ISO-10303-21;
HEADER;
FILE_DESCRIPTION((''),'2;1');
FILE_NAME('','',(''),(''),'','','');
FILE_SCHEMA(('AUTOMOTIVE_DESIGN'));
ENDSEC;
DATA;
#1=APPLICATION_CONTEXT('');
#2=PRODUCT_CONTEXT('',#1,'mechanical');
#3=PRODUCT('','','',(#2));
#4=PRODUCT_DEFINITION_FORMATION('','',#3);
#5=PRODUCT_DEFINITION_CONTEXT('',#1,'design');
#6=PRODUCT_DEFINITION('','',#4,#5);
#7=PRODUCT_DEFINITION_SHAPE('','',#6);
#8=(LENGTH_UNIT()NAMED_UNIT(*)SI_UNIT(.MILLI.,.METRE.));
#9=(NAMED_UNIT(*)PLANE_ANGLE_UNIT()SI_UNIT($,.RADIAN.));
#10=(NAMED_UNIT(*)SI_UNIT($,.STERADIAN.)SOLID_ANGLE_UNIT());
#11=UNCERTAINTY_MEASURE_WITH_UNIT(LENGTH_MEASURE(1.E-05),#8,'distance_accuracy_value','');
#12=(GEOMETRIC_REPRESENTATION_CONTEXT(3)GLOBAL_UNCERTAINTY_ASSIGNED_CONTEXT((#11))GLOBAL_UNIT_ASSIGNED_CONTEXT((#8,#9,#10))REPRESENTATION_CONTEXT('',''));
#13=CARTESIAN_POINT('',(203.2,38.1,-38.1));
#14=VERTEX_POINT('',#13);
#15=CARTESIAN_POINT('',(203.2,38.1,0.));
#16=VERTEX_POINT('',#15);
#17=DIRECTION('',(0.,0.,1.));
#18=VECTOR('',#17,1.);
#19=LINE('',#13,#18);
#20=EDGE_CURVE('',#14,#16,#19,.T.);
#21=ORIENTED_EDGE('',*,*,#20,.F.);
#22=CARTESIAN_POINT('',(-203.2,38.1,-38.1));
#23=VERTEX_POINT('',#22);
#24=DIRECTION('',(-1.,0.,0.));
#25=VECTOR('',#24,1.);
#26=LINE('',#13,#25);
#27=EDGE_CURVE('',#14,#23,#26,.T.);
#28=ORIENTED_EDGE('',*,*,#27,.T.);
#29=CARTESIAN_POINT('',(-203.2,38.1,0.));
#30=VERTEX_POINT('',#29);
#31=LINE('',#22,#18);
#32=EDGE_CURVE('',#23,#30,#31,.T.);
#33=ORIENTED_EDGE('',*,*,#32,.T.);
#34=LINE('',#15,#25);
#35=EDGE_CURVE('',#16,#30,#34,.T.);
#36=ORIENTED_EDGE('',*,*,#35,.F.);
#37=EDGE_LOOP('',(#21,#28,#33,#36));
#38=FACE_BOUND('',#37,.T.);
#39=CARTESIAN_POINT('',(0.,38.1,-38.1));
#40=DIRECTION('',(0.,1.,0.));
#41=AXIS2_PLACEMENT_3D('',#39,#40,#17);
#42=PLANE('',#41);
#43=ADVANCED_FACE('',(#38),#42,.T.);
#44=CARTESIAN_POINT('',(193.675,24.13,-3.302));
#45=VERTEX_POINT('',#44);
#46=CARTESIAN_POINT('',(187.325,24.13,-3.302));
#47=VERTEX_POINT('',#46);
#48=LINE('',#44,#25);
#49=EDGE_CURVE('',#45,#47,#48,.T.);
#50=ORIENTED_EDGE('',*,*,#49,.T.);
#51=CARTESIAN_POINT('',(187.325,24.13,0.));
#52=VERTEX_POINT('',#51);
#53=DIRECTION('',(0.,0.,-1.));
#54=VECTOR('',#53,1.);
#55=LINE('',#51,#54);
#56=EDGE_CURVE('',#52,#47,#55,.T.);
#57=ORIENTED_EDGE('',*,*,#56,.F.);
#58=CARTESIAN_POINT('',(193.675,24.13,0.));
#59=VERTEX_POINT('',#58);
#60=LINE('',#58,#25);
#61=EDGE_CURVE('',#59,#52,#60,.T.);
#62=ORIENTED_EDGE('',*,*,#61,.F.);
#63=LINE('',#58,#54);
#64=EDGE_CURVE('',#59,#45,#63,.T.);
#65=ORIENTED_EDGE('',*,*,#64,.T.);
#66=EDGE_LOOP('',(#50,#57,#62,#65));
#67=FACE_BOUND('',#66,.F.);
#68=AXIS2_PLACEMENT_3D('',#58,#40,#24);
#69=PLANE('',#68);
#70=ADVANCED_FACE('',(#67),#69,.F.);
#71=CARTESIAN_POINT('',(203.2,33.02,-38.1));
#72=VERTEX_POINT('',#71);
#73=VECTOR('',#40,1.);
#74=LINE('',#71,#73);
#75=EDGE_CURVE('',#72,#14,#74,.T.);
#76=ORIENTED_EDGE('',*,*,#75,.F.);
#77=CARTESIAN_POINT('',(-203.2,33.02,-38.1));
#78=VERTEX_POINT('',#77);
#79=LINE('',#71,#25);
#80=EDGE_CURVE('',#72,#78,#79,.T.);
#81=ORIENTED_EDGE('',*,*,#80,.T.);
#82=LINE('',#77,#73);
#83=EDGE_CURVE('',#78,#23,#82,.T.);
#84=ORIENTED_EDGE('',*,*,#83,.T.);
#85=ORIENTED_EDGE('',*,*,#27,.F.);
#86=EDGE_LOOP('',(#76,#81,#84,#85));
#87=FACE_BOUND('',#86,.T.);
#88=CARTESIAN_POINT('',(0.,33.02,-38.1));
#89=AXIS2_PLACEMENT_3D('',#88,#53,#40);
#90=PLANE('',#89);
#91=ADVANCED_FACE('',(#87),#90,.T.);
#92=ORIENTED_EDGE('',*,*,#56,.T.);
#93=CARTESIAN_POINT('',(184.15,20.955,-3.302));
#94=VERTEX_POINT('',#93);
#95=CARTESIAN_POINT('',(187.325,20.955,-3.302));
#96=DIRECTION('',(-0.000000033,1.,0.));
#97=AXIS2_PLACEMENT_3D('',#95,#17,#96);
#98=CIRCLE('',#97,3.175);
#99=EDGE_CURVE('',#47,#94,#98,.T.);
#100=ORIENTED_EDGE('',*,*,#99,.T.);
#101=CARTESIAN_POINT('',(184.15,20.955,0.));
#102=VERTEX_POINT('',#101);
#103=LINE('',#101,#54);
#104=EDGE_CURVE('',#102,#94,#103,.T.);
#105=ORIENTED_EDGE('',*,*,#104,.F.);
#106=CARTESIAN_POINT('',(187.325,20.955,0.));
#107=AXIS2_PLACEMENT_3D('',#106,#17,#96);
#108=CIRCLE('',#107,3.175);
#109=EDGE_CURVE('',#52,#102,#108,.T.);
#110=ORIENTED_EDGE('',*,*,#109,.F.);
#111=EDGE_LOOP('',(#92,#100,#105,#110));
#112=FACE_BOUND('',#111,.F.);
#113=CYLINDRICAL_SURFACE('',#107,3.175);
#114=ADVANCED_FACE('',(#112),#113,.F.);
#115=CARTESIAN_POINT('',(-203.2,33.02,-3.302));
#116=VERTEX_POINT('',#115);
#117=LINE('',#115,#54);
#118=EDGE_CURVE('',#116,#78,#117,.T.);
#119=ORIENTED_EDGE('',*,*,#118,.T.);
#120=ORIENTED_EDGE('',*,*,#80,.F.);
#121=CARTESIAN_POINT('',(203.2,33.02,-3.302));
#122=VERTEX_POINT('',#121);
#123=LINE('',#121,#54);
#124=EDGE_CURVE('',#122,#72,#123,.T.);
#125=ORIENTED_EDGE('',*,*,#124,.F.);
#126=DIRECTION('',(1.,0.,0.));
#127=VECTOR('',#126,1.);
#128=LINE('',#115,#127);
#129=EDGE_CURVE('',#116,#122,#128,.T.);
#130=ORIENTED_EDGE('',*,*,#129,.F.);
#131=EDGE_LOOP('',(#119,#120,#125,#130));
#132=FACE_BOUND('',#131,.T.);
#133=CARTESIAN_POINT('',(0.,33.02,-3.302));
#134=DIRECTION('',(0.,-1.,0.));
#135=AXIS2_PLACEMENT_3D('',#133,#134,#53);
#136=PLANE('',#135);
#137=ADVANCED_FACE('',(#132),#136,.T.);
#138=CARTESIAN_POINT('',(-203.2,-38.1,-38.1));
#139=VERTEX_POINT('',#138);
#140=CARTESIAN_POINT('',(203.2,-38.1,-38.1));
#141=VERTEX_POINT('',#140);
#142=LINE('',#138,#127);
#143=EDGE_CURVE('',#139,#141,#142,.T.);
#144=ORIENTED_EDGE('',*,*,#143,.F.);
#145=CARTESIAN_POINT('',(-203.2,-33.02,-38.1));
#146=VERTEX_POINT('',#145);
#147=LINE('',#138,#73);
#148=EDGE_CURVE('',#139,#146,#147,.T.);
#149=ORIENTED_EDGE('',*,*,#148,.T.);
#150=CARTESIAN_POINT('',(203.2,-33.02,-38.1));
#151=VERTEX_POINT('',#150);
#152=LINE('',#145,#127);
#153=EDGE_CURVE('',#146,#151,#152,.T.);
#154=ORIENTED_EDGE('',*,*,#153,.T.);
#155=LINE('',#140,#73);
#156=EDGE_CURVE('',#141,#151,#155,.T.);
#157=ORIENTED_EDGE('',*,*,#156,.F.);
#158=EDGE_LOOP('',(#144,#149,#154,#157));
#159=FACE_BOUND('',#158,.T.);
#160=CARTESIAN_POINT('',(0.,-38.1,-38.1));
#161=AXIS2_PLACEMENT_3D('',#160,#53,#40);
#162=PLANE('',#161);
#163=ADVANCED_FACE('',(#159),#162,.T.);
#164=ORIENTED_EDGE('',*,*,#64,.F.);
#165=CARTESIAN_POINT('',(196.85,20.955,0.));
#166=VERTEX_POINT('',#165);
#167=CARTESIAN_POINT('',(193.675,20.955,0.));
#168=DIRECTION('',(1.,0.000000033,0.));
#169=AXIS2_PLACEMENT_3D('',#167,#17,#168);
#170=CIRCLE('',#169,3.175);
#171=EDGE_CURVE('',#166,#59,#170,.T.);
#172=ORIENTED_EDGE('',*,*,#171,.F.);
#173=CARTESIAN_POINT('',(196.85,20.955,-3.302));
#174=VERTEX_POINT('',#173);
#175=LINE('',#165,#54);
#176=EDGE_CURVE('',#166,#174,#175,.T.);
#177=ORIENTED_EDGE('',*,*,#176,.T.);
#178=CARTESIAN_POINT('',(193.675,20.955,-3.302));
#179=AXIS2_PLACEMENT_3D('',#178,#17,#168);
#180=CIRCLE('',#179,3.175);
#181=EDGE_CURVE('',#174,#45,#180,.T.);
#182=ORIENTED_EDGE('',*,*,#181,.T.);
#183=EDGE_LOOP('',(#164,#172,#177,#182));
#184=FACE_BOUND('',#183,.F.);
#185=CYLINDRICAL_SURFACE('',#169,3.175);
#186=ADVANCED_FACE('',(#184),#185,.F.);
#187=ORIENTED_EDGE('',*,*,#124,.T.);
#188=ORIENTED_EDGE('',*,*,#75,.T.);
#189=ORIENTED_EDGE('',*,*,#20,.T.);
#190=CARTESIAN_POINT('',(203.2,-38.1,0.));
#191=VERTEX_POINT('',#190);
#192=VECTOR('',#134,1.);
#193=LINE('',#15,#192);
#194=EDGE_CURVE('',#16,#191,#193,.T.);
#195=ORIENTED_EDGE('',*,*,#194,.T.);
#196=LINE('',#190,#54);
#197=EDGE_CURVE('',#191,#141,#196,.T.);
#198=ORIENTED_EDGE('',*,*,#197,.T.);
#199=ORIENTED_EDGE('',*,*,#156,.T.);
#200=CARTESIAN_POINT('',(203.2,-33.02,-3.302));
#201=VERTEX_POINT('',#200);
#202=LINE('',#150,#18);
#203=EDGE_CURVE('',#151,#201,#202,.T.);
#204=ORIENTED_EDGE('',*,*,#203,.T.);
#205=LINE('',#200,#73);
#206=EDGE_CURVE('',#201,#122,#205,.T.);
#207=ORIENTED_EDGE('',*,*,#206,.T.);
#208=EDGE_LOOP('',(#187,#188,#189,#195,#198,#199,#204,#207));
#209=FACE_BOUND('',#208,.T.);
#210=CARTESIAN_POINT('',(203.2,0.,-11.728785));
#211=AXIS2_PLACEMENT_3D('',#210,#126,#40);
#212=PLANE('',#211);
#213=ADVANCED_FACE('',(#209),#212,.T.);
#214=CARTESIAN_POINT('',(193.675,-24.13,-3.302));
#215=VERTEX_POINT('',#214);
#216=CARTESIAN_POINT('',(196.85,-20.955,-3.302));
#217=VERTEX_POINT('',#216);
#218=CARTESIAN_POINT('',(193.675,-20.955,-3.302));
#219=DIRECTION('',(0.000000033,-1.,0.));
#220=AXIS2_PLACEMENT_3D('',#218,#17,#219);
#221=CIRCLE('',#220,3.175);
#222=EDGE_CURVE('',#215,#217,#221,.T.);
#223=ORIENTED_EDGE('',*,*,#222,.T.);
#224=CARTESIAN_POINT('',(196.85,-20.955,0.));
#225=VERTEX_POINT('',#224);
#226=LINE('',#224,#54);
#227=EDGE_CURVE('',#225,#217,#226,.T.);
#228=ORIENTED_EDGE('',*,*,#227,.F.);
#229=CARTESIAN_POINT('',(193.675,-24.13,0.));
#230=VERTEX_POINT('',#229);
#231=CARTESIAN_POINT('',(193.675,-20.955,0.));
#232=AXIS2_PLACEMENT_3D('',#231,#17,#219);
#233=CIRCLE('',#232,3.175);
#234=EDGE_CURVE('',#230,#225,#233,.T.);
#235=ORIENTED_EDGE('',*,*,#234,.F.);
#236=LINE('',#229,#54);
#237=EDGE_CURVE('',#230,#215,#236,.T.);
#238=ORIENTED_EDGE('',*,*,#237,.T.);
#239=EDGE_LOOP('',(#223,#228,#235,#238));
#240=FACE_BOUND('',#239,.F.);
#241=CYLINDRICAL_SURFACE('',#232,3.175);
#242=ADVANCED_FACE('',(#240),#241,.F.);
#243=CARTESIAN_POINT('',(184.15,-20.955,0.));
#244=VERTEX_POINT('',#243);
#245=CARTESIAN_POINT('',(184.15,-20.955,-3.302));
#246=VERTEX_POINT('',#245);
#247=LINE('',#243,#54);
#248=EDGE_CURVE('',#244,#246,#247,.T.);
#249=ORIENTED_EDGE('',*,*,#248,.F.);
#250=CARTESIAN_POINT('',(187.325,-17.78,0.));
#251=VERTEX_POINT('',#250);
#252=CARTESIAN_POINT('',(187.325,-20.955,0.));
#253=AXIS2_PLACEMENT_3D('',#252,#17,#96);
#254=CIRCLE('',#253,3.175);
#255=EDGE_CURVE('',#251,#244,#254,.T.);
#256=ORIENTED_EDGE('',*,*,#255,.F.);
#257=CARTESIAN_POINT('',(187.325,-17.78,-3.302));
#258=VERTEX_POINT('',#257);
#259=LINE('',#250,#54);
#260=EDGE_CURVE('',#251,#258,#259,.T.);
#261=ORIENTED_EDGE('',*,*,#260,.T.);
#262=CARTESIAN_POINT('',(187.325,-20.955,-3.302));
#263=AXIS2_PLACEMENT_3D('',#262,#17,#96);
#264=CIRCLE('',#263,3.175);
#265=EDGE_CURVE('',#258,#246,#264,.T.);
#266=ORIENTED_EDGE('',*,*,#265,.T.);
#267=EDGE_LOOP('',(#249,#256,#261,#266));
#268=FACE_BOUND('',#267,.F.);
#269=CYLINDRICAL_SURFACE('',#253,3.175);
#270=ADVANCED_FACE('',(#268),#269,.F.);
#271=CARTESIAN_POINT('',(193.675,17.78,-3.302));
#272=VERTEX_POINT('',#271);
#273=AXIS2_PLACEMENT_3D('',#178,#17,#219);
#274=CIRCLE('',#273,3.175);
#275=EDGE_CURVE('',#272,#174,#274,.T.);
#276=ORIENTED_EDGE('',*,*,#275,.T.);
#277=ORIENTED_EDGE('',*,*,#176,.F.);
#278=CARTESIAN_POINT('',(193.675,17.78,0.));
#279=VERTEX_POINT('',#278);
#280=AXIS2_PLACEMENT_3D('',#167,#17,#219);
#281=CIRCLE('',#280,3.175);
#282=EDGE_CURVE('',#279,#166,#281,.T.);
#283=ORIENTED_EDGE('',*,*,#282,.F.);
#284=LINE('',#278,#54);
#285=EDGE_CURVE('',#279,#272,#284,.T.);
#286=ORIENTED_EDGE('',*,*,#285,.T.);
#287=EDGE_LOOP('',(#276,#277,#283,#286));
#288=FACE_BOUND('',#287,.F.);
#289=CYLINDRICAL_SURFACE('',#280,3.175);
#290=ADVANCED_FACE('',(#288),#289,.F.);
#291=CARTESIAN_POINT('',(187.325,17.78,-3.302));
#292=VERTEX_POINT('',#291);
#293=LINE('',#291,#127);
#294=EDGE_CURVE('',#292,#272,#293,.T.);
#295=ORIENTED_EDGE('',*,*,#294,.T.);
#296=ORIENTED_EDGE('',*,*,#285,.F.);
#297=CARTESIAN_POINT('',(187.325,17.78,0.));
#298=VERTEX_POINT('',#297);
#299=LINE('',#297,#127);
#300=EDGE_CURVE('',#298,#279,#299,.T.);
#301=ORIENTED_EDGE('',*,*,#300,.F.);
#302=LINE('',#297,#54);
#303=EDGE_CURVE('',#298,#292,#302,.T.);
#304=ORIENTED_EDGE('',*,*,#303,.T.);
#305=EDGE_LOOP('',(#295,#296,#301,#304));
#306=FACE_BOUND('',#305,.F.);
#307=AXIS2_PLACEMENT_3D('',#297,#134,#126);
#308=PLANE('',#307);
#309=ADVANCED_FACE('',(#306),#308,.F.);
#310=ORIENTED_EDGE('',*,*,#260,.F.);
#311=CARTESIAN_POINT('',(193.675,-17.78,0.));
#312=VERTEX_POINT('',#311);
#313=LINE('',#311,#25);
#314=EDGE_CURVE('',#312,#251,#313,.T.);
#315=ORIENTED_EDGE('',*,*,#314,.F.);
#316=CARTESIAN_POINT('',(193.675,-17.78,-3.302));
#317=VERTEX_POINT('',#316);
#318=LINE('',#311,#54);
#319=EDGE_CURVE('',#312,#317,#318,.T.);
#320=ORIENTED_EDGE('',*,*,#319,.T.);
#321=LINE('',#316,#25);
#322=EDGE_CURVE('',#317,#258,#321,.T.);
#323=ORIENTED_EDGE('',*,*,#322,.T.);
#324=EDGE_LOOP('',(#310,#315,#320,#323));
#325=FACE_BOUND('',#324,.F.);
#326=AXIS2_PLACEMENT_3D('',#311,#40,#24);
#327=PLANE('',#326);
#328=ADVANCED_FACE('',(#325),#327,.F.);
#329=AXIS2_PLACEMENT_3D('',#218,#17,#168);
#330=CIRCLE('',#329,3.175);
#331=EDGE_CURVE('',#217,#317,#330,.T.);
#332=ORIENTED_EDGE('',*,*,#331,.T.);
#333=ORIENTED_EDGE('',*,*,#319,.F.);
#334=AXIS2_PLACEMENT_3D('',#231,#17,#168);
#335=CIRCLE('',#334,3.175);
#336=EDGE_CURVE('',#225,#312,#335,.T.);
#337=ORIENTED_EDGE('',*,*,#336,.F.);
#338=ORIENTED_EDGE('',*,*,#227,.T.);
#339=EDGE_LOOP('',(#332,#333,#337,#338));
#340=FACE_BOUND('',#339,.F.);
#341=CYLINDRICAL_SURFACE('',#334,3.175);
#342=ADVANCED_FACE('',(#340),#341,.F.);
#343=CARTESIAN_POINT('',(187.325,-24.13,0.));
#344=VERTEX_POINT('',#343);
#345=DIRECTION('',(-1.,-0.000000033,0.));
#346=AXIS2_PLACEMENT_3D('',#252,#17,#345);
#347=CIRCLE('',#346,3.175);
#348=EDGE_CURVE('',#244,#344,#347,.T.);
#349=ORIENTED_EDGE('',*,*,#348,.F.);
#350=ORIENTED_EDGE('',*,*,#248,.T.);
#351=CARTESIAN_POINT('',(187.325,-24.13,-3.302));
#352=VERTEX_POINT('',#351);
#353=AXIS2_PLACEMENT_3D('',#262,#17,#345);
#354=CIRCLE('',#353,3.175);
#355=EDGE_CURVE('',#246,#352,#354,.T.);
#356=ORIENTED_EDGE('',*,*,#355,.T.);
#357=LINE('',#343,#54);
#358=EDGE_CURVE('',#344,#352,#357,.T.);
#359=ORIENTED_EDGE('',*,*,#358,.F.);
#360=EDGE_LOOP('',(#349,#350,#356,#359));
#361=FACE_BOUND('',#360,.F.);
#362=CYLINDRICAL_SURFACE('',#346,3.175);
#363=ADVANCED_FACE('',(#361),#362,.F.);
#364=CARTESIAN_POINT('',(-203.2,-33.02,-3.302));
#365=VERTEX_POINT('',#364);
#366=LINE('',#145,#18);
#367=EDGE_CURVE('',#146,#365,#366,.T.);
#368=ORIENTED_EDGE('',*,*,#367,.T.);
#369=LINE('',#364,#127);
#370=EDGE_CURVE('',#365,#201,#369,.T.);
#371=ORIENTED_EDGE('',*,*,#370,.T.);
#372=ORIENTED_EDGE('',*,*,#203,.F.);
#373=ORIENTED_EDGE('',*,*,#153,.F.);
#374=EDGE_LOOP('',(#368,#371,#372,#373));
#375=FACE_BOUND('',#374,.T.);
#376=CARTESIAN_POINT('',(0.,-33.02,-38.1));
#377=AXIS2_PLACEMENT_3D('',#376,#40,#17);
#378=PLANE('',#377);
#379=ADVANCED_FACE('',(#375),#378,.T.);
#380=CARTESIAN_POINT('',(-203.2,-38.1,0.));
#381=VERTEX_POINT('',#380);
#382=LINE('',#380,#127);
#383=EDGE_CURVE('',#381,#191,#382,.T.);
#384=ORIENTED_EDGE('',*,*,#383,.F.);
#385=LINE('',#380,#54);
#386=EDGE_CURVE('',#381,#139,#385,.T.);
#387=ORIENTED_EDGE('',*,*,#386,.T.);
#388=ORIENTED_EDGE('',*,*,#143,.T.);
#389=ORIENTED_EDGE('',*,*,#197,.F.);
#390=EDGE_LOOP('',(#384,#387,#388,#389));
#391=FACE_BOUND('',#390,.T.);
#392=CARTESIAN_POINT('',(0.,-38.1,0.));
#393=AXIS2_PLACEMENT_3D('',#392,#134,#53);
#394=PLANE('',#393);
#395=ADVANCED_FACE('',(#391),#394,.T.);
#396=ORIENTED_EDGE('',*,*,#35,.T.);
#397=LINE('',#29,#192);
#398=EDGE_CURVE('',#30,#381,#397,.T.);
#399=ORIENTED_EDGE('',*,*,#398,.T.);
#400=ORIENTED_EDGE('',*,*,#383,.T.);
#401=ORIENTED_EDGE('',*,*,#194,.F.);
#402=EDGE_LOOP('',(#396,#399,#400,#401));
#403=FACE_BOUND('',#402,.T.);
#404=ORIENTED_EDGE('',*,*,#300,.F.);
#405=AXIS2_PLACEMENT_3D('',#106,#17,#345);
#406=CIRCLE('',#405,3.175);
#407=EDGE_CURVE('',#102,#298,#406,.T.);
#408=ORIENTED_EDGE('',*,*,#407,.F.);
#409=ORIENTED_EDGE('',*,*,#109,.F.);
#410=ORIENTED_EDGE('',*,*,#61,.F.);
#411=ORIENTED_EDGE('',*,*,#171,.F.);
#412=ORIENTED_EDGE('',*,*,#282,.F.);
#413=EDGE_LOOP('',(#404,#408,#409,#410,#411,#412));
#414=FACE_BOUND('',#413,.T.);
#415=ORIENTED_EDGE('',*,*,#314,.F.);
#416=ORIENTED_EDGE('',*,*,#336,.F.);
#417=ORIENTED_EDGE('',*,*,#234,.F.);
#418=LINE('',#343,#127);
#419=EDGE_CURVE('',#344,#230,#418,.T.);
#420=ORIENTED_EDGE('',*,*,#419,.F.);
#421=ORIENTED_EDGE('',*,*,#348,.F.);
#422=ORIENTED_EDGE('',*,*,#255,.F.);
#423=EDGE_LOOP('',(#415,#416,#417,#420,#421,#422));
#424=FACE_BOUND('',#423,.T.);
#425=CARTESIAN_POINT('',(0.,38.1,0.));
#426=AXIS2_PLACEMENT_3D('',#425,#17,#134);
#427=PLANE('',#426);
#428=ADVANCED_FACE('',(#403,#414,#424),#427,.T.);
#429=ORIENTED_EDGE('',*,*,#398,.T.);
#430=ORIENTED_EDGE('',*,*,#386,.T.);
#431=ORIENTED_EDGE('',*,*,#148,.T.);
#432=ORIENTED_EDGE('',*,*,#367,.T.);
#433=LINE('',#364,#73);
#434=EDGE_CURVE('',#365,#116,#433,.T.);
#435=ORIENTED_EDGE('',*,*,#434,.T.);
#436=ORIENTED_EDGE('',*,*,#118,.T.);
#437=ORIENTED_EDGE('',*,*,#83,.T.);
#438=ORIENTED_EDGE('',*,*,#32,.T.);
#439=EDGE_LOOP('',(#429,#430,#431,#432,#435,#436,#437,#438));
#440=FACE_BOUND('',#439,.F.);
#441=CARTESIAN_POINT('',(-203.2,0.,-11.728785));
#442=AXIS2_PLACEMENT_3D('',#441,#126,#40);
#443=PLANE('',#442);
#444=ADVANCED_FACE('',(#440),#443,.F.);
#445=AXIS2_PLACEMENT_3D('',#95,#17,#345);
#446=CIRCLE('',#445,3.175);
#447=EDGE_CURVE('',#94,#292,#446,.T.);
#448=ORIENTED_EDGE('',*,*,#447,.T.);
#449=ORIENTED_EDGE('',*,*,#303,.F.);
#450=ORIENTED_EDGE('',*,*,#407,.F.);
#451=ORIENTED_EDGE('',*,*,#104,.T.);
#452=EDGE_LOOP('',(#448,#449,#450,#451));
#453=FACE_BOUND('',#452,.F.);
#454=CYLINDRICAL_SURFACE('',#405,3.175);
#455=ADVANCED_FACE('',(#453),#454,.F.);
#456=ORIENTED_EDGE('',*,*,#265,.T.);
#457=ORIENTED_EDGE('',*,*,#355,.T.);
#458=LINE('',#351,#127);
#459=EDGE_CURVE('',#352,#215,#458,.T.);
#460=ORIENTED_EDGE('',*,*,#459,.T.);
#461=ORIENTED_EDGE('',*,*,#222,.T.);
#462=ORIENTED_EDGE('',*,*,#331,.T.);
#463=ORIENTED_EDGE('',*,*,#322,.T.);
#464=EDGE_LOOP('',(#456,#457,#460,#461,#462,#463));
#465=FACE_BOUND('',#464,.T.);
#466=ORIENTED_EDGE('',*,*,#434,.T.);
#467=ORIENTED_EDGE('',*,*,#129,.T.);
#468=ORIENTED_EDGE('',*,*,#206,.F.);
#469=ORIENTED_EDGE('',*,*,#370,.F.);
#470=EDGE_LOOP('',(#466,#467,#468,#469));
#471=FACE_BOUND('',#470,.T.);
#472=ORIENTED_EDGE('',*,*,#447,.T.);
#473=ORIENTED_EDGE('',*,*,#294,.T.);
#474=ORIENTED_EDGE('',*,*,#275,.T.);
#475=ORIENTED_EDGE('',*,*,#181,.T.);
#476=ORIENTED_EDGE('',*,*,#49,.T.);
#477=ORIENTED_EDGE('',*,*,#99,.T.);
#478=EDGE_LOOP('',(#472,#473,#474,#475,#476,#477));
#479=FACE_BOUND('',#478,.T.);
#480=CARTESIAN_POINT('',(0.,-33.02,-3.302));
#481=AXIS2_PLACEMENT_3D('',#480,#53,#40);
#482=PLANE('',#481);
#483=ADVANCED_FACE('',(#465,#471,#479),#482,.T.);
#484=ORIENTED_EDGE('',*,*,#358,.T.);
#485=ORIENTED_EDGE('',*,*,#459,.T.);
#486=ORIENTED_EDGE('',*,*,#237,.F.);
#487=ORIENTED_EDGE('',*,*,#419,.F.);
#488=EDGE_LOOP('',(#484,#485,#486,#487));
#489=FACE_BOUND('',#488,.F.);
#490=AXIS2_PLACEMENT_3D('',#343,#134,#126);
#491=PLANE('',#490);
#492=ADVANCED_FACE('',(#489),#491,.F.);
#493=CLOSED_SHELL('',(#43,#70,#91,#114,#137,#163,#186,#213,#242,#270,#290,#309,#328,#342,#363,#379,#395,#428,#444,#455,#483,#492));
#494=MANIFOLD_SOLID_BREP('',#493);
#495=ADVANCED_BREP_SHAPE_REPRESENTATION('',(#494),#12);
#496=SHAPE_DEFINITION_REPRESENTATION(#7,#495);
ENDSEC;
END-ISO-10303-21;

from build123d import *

# Parameters (mm, degrees)
F1_DEPTH = 203.2
F3_DEPTH = 3.302


with BuildPart() as f1:
    # F0 (on Right) → F1 (new body, symmetric)
    with BuildSketch(Plane.YZ):
        Polygon((38.1, 0), (-38.1, 0), (-38.1, -38.1), (-33.02, -38.1), (-33.02, -3.302), (33.02, -3.302), (33.02, -38.1), (38.1, -38.1), align=None)
    extrude(amount=F1_DEPTH, both=True)

    # F2 (on face) → F3 (cut, through all)
    with BuildSketch(Plane.XY):
        with BuildLine():
            Line((187.325, 17.78), (193.675, 17.78))
            ThreePointArc((193.675, 17.78), (195.920064, 18.709936), (196.85, 20.955))
            ThreePointArc((196.85, 20.955), (195.920064, 23.200064), (193.675, 24.13))
            Line((193.675, 24.13), (187.325, 24.13))
            ThreePointArc((187.325, 24.13), (185.079936, 23.200064), (184.15, 20.955))
            ThreePointArc((184.15, 20.955), (185.079936, 18.709936), (187.325, 17.78))
        make_face()
        with BuildLine():
            ThreePointArc((196.85, -20.955), (195.920064, -18.709936), (193.675, -17.78))
            Line((193.675, -17.78), (187.325, -17.78))
            ThreePointArc((187.325, -17.78), (185.079936, -18.709936), (184.15, -20.955))
            ThreePointArc((184.15, -20.955), (185.079936, -23.200064), (187.325, -24.13))
            Line((187.325, -24.13), (193.675, -24.13))
            ThreePointArc((193.675, -24.13), (195.920064, -23.200064), (196.85, -20.955))
        make_face()
    extrude(amount=-F3_DEPTH, mode=Mode.SUBTRACT)


solid = f1.part
